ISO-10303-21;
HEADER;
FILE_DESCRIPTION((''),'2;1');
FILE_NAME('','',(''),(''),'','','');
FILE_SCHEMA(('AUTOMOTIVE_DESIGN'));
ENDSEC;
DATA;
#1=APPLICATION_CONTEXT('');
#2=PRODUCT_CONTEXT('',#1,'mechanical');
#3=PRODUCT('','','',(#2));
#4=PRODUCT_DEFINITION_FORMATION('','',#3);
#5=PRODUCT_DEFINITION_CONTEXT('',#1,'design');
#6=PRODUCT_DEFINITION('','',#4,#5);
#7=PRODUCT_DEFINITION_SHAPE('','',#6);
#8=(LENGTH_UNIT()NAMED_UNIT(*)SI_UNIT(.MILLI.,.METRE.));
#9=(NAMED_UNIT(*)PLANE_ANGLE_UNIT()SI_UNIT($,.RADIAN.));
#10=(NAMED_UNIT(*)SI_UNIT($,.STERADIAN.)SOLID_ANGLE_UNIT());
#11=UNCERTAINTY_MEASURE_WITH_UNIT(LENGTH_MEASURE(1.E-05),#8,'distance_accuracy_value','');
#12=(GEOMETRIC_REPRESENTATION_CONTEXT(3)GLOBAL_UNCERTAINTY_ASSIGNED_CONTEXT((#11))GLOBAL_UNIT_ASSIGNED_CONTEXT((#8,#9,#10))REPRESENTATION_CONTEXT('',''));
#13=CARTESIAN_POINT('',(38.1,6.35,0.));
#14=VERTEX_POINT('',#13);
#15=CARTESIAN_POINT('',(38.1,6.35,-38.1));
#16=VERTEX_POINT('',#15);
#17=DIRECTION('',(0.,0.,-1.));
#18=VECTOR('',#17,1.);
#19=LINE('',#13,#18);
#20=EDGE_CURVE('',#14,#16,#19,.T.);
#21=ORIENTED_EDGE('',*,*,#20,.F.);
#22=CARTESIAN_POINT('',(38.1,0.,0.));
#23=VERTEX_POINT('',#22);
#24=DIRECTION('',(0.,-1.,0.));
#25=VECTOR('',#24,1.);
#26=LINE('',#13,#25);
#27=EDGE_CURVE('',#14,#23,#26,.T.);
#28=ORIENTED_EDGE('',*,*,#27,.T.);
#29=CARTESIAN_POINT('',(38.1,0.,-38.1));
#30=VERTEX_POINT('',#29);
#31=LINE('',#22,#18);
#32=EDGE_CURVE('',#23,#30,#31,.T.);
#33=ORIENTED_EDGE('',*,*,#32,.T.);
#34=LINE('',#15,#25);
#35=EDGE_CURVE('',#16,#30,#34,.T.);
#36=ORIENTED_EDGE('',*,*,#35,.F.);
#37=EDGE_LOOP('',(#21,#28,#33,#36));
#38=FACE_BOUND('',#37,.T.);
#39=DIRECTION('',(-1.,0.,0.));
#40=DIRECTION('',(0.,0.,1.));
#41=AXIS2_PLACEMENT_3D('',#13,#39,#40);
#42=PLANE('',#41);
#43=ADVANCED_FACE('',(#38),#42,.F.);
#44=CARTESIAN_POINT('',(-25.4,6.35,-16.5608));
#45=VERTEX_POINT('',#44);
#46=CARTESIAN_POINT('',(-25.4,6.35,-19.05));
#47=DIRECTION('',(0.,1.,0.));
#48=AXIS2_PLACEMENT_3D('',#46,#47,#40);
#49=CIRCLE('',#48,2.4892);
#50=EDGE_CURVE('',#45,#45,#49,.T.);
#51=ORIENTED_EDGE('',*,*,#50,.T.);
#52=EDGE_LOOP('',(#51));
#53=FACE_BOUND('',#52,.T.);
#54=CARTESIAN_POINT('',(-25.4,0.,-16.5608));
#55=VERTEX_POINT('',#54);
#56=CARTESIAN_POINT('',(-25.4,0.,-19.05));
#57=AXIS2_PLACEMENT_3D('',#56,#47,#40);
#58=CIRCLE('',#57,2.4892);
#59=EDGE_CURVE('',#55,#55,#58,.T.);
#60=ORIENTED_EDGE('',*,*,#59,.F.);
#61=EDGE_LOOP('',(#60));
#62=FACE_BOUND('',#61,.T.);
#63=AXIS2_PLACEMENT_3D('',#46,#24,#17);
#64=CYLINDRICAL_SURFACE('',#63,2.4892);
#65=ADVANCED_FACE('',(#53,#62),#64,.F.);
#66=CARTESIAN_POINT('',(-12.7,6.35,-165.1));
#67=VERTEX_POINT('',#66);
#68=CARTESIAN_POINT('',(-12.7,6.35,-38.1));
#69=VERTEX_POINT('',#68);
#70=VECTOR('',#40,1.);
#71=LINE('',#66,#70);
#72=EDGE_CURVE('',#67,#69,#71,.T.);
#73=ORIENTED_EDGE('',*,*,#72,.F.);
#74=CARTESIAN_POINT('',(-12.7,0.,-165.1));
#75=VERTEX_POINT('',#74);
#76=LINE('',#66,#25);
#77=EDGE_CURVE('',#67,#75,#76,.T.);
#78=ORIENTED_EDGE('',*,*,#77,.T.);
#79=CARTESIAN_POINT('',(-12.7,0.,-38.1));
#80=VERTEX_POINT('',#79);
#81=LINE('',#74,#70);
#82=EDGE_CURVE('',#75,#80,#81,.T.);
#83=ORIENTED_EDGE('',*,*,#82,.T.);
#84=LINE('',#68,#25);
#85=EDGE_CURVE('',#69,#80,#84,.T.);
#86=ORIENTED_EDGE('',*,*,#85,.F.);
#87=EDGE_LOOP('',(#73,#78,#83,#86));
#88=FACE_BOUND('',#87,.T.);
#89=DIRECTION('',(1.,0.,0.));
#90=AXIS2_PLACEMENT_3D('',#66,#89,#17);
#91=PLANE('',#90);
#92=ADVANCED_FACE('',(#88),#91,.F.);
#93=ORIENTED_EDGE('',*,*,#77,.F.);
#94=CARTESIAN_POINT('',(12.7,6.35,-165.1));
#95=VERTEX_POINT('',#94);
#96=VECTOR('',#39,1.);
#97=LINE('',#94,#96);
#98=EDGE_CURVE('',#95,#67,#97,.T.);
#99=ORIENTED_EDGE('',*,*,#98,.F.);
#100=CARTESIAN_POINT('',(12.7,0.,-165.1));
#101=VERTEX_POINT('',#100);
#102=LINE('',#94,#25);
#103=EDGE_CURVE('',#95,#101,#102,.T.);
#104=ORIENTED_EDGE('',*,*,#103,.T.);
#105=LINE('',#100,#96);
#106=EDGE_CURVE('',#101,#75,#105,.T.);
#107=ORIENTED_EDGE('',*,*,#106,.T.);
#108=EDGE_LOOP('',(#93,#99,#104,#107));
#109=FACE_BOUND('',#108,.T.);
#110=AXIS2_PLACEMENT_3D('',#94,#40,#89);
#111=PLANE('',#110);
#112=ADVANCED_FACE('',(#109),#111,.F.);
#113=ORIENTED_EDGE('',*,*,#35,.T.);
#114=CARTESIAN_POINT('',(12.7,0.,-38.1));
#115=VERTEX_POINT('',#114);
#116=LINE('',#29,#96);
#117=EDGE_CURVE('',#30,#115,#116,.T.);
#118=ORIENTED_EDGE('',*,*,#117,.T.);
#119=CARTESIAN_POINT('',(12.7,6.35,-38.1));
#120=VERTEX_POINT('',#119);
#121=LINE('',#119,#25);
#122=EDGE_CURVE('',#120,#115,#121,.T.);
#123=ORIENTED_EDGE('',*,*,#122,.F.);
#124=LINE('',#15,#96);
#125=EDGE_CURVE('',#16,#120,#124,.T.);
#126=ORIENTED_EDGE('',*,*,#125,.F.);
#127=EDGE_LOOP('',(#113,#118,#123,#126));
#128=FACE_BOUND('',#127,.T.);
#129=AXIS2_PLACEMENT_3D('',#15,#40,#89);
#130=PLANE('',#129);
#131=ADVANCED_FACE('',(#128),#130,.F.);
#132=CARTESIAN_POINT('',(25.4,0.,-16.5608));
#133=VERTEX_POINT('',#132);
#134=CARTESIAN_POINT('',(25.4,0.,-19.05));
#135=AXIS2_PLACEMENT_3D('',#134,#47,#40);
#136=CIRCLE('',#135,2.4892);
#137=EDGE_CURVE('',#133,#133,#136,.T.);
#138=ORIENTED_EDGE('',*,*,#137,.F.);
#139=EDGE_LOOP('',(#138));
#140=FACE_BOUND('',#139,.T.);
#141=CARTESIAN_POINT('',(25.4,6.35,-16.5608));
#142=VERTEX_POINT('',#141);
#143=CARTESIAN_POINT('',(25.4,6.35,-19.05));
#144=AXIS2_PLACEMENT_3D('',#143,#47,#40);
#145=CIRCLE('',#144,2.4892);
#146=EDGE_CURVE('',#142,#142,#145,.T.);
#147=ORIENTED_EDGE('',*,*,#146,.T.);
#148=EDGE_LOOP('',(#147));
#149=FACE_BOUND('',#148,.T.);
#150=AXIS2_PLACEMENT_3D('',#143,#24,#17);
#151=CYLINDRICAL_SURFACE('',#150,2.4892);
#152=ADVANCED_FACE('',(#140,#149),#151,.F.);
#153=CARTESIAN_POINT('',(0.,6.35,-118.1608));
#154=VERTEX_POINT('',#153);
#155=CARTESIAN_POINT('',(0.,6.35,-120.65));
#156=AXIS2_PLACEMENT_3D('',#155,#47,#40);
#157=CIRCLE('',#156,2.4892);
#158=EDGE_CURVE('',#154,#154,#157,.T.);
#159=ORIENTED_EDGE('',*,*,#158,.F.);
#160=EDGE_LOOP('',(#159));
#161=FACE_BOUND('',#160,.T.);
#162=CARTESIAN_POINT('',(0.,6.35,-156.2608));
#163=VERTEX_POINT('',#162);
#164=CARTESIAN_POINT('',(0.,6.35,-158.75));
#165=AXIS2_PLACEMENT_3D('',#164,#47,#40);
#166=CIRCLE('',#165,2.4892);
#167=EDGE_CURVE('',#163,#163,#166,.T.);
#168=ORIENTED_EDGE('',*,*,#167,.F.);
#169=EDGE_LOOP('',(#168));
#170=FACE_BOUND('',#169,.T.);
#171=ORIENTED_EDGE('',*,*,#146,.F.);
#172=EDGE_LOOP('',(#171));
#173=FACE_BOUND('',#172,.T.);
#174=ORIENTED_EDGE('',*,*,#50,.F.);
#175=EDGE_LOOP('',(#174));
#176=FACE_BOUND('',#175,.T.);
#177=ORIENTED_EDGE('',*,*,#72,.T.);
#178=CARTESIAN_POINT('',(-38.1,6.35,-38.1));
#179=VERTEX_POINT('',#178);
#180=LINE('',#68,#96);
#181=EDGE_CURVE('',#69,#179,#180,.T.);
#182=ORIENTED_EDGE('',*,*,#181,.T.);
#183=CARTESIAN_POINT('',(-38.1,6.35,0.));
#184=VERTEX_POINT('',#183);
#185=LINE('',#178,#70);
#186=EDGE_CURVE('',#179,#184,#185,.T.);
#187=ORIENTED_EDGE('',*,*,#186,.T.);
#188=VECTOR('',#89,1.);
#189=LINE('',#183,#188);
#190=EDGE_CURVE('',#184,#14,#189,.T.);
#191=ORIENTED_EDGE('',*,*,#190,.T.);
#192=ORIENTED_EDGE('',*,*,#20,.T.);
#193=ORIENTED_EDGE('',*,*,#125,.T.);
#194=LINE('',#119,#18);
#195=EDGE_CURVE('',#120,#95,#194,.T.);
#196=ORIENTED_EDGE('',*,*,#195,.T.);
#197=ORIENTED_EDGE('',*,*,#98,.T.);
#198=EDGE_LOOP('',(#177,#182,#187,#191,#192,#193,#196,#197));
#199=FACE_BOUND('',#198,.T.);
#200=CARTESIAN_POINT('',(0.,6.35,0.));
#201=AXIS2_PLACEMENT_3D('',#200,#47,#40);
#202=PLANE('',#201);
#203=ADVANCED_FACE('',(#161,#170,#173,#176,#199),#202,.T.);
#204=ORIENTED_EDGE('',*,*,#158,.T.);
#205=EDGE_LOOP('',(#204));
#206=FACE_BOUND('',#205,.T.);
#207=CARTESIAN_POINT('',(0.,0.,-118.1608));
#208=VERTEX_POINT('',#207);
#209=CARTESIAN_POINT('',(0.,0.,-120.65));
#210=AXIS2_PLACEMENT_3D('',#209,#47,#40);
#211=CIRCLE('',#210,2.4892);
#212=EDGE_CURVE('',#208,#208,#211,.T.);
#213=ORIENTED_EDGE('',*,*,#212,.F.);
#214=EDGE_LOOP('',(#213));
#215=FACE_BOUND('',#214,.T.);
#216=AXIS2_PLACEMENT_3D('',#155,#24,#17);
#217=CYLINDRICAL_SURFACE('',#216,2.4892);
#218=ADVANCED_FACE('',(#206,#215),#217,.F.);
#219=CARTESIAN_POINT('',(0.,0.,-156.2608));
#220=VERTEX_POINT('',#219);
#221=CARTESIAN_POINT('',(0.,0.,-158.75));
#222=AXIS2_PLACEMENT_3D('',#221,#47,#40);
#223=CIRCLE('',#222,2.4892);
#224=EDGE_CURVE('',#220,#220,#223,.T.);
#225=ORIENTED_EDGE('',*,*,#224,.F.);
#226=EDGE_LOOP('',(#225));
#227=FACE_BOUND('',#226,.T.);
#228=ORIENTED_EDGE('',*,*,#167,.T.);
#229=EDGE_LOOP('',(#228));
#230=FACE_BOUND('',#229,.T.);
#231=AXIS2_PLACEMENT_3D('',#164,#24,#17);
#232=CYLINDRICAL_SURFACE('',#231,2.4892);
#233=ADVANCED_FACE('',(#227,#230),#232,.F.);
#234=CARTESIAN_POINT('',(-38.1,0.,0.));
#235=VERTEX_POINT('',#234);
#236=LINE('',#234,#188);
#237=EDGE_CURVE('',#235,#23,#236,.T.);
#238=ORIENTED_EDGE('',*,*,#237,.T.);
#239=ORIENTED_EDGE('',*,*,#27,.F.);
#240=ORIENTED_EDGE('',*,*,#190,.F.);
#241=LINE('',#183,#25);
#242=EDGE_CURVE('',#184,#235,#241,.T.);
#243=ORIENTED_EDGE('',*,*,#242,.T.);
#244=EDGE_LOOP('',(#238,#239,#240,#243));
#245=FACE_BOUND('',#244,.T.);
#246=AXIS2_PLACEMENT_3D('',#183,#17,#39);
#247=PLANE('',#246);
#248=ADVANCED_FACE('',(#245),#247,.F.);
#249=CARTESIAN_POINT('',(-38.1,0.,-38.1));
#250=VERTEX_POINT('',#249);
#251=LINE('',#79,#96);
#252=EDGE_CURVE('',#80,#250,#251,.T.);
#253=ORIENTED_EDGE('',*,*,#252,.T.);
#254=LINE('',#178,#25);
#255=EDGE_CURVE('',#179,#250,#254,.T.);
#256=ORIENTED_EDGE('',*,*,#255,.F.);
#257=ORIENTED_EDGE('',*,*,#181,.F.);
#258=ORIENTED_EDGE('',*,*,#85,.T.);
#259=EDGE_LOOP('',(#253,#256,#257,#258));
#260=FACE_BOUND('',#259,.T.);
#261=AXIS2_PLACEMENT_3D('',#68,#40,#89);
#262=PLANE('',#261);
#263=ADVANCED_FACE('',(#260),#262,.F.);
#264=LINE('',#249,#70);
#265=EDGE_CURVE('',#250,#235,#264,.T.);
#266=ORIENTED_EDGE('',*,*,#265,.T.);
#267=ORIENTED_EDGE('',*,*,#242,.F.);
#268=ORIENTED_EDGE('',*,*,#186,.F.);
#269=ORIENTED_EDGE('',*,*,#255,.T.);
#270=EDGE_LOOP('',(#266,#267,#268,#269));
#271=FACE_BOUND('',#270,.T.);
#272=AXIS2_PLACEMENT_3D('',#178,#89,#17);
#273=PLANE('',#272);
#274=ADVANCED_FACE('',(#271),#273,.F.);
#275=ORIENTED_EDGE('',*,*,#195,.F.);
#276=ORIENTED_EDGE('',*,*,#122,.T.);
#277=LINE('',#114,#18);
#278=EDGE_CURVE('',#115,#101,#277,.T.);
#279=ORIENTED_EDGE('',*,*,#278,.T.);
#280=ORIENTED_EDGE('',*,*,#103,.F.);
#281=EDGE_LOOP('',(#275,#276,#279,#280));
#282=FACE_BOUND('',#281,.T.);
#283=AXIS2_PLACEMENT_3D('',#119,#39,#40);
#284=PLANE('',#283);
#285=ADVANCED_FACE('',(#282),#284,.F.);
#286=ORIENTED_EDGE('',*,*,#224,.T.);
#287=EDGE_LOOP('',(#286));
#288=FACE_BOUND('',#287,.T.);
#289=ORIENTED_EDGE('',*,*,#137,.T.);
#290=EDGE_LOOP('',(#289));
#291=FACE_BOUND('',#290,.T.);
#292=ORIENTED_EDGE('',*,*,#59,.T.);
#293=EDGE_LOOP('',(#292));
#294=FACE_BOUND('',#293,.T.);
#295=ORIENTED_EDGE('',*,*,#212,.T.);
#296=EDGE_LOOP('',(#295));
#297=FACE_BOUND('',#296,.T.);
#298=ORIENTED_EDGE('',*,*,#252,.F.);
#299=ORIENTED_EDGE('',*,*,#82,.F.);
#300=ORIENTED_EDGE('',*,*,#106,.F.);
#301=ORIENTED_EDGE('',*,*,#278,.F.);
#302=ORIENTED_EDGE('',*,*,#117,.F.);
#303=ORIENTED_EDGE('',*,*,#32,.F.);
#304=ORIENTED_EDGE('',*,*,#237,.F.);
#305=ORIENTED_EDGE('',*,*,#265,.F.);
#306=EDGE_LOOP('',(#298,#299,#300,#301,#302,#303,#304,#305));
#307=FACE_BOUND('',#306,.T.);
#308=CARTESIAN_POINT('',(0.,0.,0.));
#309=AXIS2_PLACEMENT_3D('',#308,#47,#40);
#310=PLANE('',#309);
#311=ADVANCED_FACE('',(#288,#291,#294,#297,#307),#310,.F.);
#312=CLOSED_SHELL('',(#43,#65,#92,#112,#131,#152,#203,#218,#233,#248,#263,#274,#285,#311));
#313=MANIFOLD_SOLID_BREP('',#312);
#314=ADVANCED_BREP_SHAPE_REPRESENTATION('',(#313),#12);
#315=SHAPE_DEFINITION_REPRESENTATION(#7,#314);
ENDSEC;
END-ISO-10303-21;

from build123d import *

# Parameters (mm, degrees)
SKETCH2_R           = 2.4892
BOSS_EXTRUDE1_DEPTH = 6.35


with BuildPart() as part:
    # Sketch2 → Boss-Extrude1 (new body)
    with BuildSketch(Plane(origin=(0, 0, 0), x_dir=(1, 0, 0), z_dir=(0, 1, 0))):
        Polygon((-12.7, 165.1), (-12.7, 38.1), (-38.1, 38.1), (-38.1, 0), (38.1, 0), (38.1, 38.1), (12.7, 38.1), (12.7, 165.1), align=None)
        with Locations((-25.4, 19.05)):
            Circle(SKETCH2_R, mode=Mode.SUBTRACT)
        with Locations((25.4, 19.05)):
            Circle(SKETCH2_R, mode=Mode.SUBTRACT)
        with Locations((0, 158.75)):
            Circle(SKETCH2_R, mode=Mode.SUBTRACT)
        with Locations((0, 120.65)):
            Circle(SKETCH2_R, mode=Mode.SUBTRACT)
    extrude(amount=BOSS_EXTRUDE1_DEPTH)


solid = part.part
